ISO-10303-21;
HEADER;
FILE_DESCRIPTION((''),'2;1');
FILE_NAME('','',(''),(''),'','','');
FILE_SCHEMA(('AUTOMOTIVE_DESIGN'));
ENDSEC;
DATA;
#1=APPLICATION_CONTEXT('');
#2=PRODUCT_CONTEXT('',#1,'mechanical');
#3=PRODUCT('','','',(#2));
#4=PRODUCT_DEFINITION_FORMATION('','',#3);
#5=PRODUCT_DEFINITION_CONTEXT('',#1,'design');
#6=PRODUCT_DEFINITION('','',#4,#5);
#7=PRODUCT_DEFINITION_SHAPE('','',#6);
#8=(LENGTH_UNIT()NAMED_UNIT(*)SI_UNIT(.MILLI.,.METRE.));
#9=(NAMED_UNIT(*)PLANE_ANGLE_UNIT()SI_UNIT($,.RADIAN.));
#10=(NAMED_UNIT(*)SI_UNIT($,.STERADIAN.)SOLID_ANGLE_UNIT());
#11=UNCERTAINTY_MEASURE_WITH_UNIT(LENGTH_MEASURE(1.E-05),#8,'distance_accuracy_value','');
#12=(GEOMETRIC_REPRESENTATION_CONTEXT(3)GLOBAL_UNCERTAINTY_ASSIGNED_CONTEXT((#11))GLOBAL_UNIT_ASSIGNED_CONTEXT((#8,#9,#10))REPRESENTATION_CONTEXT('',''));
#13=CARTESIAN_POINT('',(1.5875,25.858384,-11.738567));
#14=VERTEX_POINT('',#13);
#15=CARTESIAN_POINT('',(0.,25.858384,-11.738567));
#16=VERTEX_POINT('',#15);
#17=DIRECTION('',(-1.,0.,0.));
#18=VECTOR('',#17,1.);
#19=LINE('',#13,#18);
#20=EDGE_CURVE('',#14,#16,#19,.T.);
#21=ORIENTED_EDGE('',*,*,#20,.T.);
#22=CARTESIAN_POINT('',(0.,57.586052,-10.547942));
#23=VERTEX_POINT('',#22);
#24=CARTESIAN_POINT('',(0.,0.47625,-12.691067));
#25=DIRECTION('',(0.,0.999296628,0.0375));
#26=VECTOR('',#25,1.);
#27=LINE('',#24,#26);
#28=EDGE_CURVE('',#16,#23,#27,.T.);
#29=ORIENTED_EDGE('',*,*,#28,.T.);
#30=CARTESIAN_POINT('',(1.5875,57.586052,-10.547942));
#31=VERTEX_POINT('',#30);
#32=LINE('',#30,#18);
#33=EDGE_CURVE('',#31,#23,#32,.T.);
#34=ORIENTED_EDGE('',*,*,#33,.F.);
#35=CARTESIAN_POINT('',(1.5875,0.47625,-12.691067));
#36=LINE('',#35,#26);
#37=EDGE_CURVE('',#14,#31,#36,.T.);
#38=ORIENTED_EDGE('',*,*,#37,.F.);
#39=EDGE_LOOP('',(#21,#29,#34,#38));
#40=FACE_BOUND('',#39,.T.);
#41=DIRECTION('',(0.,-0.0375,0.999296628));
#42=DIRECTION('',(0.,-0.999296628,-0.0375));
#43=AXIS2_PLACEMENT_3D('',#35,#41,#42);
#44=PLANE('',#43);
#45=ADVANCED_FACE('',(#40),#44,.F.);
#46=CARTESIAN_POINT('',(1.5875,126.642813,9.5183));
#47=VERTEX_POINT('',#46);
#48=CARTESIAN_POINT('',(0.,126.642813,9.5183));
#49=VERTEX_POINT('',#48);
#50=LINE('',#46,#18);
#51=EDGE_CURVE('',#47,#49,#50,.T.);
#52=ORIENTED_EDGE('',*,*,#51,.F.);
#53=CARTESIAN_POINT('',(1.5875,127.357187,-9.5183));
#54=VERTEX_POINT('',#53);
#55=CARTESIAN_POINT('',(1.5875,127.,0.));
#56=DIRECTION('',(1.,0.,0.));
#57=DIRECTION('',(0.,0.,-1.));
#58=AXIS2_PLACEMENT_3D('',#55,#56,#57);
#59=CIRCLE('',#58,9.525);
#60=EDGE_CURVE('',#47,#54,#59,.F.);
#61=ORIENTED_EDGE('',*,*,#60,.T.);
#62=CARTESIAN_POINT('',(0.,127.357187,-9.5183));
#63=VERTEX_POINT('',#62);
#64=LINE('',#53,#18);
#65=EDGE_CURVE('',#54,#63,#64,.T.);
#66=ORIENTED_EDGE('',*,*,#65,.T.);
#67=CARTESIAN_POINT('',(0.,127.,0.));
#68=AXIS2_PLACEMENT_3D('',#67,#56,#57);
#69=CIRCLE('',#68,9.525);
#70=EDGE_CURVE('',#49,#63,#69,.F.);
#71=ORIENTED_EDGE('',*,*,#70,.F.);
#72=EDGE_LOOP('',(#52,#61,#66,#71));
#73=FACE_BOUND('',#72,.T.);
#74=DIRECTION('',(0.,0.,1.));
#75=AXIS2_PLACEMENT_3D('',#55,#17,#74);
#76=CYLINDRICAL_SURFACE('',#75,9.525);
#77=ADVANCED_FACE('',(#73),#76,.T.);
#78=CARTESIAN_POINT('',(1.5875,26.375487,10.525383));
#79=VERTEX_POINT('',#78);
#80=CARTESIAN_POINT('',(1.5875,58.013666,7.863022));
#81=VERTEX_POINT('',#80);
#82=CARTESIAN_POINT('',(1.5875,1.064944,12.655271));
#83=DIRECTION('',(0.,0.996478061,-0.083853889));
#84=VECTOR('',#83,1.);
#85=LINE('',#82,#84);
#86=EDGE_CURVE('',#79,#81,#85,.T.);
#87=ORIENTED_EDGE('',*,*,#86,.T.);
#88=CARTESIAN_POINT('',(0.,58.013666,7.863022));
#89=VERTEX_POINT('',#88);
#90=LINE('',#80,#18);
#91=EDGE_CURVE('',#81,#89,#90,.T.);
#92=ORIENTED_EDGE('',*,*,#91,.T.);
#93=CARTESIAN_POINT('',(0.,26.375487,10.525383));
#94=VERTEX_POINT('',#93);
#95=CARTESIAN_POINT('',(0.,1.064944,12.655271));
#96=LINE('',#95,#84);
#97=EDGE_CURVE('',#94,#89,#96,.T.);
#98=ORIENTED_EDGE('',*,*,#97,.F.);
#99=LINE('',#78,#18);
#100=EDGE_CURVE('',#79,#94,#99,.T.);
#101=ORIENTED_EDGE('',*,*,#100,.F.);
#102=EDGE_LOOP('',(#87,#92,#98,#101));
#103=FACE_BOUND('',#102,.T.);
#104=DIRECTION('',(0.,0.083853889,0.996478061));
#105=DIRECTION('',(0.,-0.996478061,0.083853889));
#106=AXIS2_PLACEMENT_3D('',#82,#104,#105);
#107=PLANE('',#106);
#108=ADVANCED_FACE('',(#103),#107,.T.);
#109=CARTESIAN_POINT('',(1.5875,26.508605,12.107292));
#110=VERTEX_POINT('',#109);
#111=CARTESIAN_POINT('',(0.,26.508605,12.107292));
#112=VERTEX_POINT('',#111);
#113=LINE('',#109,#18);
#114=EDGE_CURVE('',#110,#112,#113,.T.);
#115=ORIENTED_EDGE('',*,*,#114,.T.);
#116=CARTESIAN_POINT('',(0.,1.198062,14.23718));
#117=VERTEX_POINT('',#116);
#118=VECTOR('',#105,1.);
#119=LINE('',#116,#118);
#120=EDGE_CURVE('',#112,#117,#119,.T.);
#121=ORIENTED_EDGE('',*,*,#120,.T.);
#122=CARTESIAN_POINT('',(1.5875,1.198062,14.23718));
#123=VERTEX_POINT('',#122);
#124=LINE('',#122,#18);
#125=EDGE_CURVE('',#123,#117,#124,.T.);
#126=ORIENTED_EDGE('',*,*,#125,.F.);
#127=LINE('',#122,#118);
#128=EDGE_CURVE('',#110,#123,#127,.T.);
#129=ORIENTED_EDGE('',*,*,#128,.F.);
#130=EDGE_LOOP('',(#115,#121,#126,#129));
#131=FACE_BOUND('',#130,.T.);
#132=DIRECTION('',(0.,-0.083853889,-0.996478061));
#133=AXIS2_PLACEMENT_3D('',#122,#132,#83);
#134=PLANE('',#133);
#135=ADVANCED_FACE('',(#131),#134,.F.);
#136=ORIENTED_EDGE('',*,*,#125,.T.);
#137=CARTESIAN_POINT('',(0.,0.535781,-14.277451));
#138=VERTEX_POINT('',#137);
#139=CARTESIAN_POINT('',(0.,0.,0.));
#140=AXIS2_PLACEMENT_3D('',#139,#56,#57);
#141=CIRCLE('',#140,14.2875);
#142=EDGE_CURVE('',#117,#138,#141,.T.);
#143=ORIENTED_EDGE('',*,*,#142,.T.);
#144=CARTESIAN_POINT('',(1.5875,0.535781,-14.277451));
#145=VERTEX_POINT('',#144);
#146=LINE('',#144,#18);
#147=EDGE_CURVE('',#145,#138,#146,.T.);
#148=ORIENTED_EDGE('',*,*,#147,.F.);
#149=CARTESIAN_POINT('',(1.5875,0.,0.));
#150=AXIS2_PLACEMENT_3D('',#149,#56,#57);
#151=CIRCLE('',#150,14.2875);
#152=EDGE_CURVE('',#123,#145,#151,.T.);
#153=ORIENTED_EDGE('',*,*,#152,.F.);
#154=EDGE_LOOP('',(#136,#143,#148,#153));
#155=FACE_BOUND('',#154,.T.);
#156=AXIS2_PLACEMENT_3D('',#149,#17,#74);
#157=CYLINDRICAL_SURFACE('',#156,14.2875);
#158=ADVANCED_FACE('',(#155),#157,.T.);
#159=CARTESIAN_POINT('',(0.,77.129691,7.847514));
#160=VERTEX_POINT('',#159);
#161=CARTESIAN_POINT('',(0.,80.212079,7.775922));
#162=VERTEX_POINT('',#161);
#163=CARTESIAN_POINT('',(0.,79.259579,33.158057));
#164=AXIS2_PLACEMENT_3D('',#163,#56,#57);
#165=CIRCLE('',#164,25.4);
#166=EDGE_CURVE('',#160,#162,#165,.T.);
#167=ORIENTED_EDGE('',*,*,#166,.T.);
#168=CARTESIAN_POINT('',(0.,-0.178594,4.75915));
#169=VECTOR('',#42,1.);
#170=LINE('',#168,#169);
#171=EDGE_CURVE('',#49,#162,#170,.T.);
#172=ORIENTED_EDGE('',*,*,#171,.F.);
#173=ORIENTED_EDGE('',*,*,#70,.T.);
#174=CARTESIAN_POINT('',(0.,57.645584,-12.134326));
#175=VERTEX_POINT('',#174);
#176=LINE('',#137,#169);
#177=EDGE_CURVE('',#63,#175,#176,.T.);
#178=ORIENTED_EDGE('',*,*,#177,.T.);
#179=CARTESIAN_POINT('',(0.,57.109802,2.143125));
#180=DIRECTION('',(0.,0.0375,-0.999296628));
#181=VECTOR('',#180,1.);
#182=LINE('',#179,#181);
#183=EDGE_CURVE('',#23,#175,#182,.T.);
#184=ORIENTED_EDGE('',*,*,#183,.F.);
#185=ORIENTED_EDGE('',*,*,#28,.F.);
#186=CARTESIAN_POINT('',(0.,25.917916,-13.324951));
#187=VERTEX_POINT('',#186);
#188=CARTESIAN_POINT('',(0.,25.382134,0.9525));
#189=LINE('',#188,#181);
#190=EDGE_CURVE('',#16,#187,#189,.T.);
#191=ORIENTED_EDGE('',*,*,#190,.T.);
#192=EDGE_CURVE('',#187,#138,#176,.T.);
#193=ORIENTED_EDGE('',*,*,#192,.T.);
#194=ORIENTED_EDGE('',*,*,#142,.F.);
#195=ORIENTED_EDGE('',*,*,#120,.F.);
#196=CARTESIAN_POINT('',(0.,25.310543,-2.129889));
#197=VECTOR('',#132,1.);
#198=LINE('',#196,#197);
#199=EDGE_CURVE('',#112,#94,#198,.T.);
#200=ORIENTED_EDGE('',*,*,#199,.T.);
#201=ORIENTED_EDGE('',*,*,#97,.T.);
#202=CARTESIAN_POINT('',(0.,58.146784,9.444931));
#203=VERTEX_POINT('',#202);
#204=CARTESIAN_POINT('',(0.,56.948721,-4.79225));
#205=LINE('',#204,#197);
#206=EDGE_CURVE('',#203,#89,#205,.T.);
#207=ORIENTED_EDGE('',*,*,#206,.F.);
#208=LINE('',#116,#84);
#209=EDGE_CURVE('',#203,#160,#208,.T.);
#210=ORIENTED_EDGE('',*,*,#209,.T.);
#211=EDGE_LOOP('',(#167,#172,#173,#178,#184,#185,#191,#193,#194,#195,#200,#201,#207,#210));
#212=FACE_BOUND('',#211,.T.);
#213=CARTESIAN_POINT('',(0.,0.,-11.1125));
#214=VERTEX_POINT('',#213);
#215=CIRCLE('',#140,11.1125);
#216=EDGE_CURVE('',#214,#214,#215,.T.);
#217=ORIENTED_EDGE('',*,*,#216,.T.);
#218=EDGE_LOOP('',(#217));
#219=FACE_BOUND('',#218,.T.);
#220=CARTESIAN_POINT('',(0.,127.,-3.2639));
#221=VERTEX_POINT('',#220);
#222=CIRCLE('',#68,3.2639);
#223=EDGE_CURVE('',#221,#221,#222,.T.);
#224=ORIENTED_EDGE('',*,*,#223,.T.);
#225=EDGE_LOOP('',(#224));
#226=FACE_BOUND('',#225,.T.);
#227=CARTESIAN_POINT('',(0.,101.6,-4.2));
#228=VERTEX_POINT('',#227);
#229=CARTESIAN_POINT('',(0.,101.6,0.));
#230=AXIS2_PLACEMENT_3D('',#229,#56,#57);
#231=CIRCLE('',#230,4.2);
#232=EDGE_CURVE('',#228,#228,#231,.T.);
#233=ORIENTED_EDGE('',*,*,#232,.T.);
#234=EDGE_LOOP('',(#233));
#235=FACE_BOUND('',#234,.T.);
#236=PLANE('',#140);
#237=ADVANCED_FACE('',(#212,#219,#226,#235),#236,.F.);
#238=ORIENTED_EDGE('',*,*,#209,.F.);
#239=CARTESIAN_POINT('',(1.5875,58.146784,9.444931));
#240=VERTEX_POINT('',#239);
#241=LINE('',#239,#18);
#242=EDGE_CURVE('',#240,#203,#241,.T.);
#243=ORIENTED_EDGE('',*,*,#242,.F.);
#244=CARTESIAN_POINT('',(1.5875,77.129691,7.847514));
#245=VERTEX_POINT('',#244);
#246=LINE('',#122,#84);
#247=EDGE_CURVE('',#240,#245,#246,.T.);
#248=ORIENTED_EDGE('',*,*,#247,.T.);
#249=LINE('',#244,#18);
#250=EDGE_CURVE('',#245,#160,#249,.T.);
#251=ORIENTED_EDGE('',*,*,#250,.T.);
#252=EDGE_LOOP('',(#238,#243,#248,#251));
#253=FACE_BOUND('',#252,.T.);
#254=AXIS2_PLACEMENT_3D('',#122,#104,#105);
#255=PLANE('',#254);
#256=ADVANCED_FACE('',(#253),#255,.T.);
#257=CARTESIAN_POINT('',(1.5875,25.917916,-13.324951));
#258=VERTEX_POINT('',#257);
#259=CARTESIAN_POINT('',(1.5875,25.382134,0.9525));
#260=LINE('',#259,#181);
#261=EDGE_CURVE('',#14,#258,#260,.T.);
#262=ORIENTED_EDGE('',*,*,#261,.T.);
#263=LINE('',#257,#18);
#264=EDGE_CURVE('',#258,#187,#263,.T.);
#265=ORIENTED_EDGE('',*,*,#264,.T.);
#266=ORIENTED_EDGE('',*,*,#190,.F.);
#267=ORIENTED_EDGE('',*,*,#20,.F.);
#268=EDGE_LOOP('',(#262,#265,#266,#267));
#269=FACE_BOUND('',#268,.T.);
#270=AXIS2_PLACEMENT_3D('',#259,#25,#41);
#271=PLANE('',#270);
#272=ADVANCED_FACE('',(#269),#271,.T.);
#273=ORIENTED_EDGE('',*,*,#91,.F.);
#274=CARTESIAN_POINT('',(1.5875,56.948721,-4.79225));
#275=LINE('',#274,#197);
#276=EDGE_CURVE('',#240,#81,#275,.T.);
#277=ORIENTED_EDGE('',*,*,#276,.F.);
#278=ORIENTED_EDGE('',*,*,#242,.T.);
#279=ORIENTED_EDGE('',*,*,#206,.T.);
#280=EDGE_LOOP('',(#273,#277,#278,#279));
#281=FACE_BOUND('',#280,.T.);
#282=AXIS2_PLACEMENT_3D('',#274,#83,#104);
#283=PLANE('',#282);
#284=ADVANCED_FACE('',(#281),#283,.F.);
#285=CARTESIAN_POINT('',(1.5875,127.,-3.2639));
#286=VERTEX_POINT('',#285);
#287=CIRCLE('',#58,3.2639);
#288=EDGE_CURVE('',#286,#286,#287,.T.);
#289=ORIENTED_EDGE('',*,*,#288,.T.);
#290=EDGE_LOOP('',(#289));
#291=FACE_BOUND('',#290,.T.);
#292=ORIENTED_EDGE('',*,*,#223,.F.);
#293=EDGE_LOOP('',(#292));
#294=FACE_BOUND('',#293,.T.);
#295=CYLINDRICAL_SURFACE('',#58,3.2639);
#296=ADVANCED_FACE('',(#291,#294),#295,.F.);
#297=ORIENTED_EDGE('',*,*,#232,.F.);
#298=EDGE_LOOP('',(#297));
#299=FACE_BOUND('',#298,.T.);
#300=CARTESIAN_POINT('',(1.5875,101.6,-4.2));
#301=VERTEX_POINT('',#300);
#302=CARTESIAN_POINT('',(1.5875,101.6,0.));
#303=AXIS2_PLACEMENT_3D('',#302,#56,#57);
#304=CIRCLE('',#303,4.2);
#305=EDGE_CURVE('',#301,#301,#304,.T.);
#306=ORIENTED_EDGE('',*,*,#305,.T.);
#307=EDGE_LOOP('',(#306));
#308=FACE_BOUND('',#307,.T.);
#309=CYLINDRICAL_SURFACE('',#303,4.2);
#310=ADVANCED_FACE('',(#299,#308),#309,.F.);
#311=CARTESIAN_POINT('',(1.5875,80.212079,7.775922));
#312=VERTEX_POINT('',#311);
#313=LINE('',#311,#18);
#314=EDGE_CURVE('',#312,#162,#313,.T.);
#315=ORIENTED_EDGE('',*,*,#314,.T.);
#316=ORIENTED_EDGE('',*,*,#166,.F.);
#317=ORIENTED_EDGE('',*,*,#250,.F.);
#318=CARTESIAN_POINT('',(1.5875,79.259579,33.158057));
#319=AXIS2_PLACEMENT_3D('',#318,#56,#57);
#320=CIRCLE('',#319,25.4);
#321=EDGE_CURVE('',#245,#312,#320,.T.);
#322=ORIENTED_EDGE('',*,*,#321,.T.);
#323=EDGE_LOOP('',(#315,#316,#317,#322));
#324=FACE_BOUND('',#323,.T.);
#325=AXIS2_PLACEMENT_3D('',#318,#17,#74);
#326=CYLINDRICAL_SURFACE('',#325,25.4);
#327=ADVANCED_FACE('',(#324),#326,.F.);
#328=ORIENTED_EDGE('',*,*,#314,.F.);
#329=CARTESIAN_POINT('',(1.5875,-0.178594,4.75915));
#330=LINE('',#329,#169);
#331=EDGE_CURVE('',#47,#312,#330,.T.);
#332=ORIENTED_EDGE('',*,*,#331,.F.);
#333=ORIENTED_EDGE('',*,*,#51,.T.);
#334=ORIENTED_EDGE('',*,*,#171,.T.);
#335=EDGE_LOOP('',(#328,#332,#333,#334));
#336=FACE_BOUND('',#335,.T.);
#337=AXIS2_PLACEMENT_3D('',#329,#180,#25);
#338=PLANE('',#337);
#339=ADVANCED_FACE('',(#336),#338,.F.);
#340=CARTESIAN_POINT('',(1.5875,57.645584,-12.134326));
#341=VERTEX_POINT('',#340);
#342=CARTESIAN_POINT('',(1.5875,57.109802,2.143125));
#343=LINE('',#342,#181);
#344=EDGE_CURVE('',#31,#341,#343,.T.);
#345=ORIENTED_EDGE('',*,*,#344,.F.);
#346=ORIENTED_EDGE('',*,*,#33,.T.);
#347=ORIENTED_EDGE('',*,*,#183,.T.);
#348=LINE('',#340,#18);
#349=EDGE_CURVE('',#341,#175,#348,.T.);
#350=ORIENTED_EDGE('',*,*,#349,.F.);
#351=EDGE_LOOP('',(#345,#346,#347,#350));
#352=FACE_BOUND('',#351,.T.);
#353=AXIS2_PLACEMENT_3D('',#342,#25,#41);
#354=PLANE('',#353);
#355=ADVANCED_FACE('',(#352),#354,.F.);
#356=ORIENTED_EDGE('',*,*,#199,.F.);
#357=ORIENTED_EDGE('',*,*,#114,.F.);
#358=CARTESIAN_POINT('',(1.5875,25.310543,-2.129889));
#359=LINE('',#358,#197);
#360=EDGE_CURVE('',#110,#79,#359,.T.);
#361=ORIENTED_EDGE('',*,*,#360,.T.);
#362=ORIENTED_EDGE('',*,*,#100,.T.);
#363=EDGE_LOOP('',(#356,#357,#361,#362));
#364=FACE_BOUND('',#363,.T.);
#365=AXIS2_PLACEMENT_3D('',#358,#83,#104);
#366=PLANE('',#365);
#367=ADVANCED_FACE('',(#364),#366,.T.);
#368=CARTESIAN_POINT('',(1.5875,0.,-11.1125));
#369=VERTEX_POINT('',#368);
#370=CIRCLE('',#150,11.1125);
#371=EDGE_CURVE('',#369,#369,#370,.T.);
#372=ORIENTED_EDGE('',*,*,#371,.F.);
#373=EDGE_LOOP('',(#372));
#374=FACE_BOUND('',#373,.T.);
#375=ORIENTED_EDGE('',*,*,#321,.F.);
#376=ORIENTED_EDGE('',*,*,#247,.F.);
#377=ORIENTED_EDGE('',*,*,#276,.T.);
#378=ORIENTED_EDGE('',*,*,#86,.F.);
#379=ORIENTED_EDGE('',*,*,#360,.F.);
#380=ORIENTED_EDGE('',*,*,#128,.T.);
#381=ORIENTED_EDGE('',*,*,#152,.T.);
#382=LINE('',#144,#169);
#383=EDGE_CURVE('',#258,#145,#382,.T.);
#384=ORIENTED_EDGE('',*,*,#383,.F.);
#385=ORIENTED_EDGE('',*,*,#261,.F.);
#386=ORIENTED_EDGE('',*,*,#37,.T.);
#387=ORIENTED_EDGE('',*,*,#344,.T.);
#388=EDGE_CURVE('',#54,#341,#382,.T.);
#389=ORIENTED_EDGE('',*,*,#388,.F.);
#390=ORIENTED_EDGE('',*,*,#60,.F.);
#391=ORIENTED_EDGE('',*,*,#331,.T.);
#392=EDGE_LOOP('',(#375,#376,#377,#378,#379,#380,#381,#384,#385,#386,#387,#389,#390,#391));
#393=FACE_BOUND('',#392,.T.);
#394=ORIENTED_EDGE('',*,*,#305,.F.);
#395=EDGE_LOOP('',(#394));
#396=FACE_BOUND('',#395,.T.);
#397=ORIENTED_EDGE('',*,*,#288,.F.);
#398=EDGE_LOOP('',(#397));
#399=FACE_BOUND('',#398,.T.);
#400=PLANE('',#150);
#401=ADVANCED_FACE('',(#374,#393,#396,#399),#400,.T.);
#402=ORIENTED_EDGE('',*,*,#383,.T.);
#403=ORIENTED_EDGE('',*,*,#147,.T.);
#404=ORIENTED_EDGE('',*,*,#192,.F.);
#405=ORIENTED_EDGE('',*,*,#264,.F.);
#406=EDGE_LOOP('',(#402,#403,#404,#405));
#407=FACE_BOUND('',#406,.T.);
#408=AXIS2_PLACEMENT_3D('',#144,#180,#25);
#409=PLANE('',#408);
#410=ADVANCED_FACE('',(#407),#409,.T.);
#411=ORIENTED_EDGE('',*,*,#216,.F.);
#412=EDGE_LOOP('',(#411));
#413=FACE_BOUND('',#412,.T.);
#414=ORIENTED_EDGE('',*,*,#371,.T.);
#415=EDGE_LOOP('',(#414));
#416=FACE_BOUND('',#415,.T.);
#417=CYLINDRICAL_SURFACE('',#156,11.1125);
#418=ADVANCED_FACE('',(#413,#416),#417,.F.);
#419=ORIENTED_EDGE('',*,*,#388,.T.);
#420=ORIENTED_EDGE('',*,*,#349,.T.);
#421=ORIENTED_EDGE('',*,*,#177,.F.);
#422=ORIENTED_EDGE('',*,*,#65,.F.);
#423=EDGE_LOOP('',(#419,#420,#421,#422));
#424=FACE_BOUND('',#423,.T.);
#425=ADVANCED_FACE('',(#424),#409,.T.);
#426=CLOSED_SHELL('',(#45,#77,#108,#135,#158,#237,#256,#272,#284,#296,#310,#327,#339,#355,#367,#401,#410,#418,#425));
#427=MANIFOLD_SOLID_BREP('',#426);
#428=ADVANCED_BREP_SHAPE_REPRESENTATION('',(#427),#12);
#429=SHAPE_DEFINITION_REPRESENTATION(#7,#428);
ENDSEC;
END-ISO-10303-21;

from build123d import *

# Parameters (mm, degrees)
SKETCH1_R               = 11.1125
BOSS_EXTRUDE1_DEPTH     = 1.5875
F_1_4_CLEARANCE_HOLE1_D = 6.5278
M8_CLEARANCE_HOLE1_D    = 8.4


with BuildPart() as part:
    # Sketch1 → Boss-Extrude1 (new body)
    with BuildSketch(Plane(origin=(0, 0, 0), x_dir=(0, 0, -1), z_dir=(1, 0, 0))):
        with BuildLine():
            Line((9.518300378, 127.3571875), (12.134325567, 57.645583519))
            Line((12.134325567, 57.645583519), (10.547942171, 57.586052269))
            Line((10.547942171, 57.586052269), (11.738567171, 25.858384342))
            Line((11.738567171, 25.858384342), (13.324950567, 25.917915592))
            Line((13.324950567, 25.917915592), (14.277450567, 0.53578125))
            ThreePointArc((14.277450567, 0.53578125), (-0.331752192, -14.283647879), (-14.237180291, 1.198062439))
            Line((-14.237180291, 1.198062439), (-12.107291511, 26.508605179))
            Line((-12.107291511, 26.508605179), (-10.52538259, 26.37548713))
            Line((-10.52538259, 26.37548713), (-7.863021614, 58.013665555))
            Line((-7.863021614, 58.013665555), (-9.444930535, 58.146783604))
            Line((-9.444930535, 58.146783604), (-7.84751395, 77.129690658))
            ThreePointArc((-7.84751395, 77.129690658), (-7.764904905, 78.669797764), (-7.775922348, 80.212079439))
            Line((-7.775922348, 80.212079439), (-9.518300378, 126.6428125))
            ThreePointArc((-9.518300378, 126.6428125), (-0.3571875, 136.518300378), (9.518300378, 127.3571875))
        make_face()
        Circle(SKETCH1_R, mode=Mode.SUBTRACT)
    extrude(amount=BOSS_EXTRUDE1_DEPTH)

    # 1/4 Clearance Hole1 (through all)
    with Locations(Plane(origin=(1.5875, 0, 0), x_dir=(0, 0, -1), z_dir=(1, 0, 0))):
        with Locations((0, 127)):
            Hole(F_1_4_CLEARANCE_HOLE1_D / 2)

    # M8 Clearance Hole1 (through all)
    with Locations(Plane(origin=(1.5875, 0, 0), x_dir=(0, 0, -1), z_dir=(1, 0, 0))):
        with Locations((0, 101.6)):
            Hole(M8_CLEARANCE_HOLE1_D / 2)


solid = part.part
